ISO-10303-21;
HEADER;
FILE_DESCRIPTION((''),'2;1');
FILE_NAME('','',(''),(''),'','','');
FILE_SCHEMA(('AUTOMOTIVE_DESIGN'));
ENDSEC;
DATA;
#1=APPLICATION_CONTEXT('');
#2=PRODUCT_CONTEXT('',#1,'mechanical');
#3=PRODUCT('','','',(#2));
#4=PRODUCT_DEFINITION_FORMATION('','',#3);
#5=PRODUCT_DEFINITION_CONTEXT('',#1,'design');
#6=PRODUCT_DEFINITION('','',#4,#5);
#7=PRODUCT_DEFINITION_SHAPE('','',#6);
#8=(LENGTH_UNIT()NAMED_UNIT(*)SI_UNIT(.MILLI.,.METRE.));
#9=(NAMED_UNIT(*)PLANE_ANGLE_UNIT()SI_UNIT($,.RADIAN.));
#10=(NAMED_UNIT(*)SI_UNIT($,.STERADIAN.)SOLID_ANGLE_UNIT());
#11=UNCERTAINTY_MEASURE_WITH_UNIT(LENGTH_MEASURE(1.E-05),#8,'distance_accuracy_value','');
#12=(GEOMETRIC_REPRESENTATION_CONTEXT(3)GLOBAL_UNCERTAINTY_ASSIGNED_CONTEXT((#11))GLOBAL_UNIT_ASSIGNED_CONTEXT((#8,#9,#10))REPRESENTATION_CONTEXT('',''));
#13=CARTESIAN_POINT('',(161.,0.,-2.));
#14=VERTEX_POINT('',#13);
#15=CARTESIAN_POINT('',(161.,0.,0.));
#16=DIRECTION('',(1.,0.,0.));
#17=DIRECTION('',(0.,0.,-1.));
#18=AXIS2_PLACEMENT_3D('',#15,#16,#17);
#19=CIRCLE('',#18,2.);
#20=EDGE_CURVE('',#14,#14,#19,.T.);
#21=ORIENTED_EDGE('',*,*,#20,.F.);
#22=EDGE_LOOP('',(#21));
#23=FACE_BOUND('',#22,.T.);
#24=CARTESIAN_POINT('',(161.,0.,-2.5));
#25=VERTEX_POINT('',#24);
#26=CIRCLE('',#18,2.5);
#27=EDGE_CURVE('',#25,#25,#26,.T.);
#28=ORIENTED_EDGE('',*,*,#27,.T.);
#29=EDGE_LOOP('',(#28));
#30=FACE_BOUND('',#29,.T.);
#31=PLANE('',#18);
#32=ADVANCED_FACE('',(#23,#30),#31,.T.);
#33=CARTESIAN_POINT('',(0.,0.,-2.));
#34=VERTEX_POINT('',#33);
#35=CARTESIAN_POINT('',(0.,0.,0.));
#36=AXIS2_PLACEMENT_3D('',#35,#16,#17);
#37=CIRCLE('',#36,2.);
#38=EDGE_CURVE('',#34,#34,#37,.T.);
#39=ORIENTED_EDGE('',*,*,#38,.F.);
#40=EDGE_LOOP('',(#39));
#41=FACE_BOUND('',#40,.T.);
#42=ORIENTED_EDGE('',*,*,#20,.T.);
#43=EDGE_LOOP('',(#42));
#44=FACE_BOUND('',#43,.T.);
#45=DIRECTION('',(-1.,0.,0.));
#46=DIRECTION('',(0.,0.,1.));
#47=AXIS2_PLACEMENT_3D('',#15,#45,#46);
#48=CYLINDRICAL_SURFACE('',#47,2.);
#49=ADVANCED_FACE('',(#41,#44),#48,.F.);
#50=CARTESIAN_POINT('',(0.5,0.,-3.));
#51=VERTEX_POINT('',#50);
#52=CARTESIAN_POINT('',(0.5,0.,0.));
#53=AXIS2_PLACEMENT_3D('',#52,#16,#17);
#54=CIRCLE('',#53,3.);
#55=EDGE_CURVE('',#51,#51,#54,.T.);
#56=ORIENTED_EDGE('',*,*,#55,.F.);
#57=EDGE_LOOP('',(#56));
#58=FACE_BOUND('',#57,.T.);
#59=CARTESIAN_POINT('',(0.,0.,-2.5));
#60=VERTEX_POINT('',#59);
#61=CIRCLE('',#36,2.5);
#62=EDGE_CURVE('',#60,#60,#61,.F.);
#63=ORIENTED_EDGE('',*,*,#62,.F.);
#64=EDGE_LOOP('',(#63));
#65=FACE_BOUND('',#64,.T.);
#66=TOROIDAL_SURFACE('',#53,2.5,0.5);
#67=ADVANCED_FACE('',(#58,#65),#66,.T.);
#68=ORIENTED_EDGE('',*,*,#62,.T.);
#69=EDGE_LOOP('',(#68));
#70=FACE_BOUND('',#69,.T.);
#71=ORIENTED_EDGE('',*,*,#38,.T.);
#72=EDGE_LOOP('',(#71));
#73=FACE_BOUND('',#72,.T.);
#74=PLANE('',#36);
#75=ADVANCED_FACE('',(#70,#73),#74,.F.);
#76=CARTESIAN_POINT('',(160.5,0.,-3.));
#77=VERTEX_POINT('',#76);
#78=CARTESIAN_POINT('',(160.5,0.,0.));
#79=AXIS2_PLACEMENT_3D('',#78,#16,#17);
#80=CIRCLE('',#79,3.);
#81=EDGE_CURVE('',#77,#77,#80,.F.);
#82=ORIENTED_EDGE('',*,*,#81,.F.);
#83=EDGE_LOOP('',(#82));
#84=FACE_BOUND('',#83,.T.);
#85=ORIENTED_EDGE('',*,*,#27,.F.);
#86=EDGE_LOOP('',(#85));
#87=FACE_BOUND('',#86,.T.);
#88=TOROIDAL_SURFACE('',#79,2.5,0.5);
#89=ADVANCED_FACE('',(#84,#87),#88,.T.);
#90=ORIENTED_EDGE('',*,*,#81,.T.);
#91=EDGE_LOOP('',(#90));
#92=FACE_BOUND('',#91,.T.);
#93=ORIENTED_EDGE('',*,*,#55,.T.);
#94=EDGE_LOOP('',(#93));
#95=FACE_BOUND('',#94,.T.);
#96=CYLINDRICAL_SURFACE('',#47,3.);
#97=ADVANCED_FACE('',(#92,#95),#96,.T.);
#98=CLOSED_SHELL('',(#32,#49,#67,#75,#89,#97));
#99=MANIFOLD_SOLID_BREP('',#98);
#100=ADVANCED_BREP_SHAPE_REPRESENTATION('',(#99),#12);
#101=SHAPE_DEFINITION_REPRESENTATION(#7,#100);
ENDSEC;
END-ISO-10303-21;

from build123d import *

# Parameters (mm, degrees)
SKETCH_1_R      = 3
SKETCH_1_R_2    = 2
EXTRUDE_1_DEPTH = 161
FILLET_1_R      = 0.5


with BuildPart() as part:
    # Эскиз1 → Бобышка-Вытянуть1 (new body)
    with BuildSketch(Plane(origin=(0, 0, 0), x_dir=(0, 0, -1), z_dir=(1, 0, 0))):
        Circle(SKETCH_1_R)
        Circle(SKETCH_1_R_2, mode=Mode.SUBTRACT)
    extrude(amount=EXTRUDE_1_DEPTH)

    # Скругление1
    fillet_1_edges = [part.edges().sort_by_distance(p)[0] for p in [
        (0, 0, 3),
        (161, 0, 3),
    ]]
    fillet(fillet_1_edges, radius=FILLET_1_R)


solid = part.part
